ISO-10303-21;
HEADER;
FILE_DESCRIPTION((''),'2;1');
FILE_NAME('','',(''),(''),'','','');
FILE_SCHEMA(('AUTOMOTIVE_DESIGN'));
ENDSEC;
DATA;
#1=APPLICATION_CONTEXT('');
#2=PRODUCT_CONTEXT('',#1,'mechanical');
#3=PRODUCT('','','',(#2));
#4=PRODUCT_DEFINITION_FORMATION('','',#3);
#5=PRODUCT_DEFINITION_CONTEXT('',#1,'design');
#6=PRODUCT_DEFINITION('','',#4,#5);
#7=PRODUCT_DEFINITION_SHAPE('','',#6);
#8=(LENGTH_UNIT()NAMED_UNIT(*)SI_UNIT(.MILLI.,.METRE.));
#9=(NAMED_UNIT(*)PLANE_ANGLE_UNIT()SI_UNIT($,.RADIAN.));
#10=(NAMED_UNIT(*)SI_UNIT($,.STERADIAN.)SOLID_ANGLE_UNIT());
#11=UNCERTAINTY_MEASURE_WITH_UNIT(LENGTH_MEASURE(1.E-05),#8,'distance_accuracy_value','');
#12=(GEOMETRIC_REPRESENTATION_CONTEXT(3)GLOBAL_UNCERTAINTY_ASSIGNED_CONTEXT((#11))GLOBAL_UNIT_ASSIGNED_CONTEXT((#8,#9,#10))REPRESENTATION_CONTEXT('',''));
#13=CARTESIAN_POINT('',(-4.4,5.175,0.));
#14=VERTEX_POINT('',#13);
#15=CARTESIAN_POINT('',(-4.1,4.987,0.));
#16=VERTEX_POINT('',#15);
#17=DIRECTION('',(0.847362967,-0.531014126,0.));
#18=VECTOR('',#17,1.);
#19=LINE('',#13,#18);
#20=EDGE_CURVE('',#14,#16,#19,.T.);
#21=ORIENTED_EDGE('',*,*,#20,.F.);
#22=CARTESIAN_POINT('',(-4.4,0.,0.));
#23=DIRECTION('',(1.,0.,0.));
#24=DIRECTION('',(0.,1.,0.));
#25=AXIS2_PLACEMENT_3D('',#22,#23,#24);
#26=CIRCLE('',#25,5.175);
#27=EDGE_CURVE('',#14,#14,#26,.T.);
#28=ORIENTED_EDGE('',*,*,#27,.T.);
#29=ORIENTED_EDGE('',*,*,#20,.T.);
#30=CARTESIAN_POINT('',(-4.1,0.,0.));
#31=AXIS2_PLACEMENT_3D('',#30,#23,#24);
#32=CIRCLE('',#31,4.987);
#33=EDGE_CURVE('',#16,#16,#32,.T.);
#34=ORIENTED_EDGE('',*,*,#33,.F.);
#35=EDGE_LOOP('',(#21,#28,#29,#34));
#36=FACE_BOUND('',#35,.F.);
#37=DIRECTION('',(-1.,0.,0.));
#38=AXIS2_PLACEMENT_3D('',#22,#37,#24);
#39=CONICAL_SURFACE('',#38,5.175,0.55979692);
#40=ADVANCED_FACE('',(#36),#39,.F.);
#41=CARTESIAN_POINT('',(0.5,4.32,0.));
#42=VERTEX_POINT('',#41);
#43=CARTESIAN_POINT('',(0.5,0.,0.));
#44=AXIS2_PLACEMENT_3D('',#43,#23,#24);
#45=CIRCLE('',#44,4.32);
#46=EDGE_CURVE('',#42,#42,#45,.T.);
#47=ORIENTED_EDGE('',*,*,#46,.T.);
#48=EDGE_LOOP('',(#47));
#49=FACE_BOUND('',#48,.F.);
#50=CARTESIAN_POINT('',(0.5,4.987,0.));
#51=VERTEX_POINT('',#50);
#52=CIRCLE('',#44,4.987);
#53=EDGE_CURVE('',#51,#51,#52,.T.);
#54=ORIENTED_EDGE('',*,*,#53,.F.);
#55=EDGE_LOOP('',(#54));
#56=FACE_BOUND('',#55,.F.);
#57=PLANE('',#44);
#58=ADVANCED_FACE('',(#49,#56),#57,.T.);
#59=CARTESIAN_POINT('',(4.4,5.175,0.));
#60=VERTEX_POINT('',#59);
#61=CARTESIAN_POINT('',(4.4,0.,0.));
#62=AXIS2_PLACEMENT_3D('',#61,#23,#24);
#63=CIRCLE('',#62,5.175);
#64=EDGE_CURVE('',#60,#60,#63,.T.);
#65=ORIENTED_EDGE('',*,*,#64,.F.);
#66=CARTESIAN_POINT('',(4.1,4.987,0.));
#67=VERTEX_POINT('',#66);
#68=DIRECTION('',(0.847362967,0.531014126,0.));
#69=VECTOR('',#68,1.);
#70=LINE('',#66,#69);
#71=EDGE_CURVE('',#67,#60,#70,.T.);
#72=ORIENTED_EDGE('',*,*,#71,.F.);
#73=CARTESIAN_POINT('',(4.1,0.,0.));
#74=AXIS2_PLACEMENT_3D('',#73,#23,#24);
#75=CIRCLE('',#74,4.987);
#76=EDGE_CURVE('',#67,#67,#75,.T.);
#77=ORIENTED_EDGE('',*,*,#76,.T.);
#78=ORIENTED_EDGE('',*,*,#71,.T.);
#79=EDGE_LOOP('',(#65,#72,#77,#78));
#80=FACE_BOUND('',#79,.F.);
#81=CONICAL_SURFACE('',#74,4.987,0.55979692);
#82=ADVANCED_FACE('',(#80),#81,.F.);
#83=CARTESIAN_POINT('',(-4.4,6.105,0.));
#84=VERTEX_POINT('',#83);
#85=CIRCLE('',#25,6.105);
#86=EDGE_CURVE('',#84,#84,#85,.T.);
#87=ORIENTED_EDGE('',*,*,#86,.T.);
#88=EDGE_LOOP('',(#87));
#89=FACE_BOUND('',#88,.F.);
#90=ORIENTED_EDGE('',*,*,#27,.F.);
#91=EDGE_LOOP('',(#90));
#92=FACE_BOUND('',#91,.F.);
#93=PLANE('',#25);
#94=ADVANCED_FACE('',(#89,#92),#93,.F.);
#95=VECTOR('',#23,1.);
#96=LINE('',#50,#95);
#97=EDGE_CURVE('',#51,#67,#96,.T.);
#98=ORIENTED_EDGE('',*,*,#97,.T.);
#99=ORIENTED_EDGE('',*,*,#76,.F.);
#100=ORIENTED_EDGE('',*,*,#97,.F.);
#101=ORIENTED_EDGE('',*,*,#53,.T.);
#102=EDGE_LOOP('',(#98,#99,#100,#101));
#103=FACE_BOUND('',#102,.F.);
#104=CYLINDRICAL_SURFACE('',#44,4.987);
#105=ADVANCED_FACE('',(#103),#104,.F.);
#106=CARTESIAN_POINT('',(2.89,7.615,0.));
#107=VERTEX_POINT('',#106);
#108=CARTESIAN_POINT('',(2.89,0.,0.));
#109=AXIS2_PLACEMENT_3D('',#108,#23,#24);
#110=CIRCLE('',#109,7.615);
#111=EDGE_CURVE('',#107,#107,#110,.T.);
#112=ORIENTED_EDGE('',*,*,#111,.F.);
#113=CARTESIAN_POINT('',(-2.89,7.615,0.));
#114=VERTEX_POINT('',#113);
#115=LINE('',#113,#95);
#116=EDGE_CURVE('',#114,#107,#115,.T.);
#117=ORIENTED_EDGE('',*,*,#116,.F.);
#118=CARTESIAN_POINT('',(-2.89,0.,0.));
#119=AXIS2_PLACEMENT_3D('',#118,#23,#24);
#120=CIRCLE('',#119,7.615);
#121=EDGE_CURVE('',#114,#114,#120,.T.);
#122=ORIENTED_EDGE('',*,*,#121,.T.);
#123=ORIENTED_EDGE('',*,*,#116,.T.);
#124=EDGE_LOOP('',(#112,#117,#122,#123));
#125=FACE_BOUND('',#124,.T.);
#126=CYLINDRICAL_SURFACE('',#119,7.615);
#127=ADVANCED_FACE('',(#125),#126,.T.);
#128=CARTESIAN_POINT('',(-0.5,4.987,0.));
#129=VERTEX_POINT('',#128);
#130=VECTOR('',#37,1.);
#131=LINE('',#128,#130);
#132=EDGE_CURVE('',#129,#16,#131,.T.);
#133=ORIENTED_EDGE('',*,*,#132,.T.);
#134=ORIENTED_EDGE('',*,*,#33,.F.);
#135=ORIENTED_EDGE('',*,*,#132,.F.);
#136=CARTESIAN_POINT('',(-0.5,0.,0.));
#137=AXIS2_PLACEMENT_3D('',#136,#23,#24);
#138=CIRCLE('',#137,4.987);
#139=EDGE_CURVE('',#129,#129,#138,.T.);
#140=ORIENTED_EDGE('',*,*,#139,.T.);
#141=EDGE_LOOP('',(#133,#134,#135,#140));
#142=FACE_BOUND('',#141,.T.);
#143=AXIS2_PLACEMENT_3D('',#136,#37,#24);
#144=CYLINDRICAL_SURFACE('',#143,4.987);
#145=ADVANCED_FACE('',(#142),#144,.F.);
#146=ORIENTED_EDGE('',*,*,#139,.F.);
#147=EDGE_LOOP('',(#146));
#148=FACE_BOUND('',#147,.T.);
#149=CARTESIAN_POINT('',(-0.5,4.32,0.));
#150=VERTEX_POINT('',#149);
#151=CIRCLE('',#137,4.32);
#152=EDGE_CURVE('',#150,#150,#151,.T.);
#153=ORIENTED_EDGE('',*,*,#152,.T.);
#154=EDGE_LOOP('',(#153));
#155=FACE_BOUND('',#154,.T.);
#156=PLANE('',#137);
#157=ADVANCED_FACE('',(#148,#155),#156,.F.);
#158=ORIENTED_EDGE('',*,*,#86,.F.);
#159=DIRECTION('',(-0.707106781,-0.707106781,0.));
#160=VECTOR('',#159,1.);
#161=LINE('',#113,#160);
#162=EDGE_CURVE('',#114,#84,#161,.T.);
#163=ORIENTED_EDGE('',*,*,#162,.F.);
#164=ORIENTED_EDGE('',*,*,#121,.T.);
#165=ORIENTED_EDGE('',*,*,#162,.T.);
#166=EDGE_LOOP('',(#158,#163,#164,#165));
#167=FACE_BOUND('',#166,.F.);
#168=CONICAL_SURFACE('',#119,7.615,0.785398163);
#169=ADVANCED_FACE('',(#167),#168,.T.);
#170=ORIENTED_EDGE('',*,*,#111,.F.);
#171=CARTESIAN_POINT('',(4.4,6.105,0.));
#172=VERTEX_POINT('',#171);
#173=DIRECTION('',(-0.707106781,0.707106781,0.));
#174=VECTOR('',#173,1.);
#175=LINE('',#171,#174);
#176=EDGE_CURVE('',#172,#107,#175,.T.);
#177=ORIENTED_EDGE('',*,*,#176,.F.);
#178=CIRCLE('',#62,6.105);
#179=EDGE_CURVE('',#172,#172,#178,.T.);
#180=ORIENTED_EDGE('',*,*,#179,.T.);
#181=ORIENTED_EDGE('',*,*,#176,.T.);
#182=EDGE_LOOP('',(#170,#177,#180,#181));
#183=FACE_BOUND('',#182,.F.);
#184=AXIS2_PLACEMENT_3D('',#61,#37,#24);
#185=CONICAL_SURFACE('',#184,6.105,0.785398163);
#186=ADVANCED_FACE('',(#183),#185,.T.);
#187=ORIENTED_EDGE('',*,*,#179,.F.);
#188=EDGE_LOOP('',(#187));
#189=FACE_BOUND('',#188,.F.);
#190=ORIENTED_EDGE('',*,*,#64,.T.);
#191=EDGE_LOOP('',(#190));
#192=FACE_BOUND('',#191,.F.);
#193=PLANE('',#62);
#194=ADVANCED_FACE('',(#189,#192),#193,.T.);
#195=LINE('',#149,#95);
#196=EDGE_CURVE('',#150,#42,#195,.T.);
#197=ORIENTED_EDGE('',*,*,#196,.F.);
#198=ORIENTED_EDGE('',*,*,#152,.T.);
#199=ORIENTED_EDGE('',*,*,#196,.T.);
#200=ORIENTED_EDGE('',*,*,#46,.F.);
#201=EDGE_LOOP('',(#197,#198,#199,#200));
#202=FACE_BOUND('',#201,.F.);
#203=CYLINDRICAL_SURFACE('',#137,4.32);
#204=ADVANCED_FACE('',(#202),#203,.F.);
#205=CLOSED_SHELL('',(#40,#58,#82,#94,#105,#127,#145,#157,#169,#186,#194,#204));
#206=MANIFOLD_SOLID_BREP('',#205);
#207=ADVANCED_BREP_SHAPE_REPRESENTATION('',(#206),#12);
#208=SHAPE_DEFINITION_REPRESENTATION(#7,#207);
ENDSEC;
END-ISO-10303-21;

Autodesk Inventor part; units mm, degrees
ref_plane "YZ Plane" through (0, 0, 0) normal (1, 0, 0) x (0, 1, 0)
ref_plane "XY Plane" through (0, 0, 0) normal (0, 0, 1) x (1, 0, 0)
sketch "Эскиз4" plane through (0, 0, 0) normal (0, 0, 1) x (1, 0, 0)
  line L0 (-4.4, 7.615) -> (4.4, 7.615) construction
  line L1 (4.4, 7.615) -> (4.4, -7.615) construction
  line L2 (4.4, -7.615) -> (-4.4, -7.615) construction
  line L3 (-4.4, -7.615) -> (-4.4, 7.615) construction
  line L4 (-2.89, 7.615) -> (-2.89, -7.615) construction
  line L5 (2.89, 7.615) -> (2.89, -7.615) construction
  line L6 (-4.4, 6.105) -> (4.4, 6.105) construction
  line L7 (-4.4, -6.105) -> (4.4, -6.105) construction
  line L8 (-4.4, 5.175) -> (4.4, 5.175) construction
  line L9 (-4.4, -5.175) -> (4.4, -5.175) construction
  line L10 (-4.4, 4.987) -> (4.4, 4.987) construction
  line L11 (-4.4, -4.987) -> (4.4, -4.987) construction
  line L12 (-4.1, 7.615) -> (-4.1, -7.615) construction
  line L13 (4.1, 7.615) -> (4.1, -7.615) construction
  line L14 (-0.5, 7.615) -> (-0.5, -7.615) construction
  line L15 (0.5, 7.615) -> (0.5, -7.615) construction
  line L16 (-4.4, 4.32) -> (4.4, 4.32) construction
  line L17 (-4.4, -4.32) -> (4.4, -4.32) construction
  line L18 (-2.89, 7.615) -> (-4.4, 6.105)
  line L19 (-4.4, 6.105) -> (-4.4, 5.175)
  line L20 (-4.4, 5.175) -> (-4.1, 4.987)
  line L21 (-0.5, 4.987) -> (-4.1, 4.987)
  line L22 (-0.5, 4.32) -> (-0.5, 4.987)
  line L23 (-0.5, 4.32) -> (0.5, 4.32)
  line L24 (0.5, 4.32) -> (0.5, 4.987)
  line L25 (0.5, 4.987) -> (4.1, 4.987)
  line L26 (4.1, 4.987) -> (4.4, 5.175)
  line L27 (4.4, 5.175) -> (4.4, 6.105)
  line L28 (4.4, 6.105) -> (2.89, 7.615)
  line L29 (-2.89, 7.615) -> (2.89, 7.615)
  line L30 (-4.4, 0) -> (4.4, 0)
  point P0 (0, 0)
  point P1 (-4.4, 0)
  point P2 (0, 7.615)
  point P3 (0, 0)
  dimension "d17" = 8.8
  dimension "d18" = 15.23
  dimension "d19" = 5.78
  dimension "d20" = 2.89
  dimension "d21" = 12.21
  dimension "d22" = 6.105
  dimension "d23" = 10.35
  dimension "d24" = 5.175
  dimension "d25" = 9.974
  dimension "d26" = 4.987
  dimension "d27" = 0.3
  dimension "d28" = 0.3
  dimension "d29" = 0.5
  dimension "d30" = 1
  dimension "d31" = 8.64
  dimension "d32" = 4.32
  dimension "d33" = 8.8
  dimension "d34" = 7.615
revolve "Вращение2" add sketch "Эскиз4" angle 360 about axis through (-4.4, 0, 0) along (1, 0, 0)
ref_plane "РабПлоскость3" through (0, 7.615, 0) normal (0, 1, 0) x (-1, 0, 0)
sketch "Эскиз7" plane through (0, 7.615, 0) normal (0, 1, 0) x (-1, 0, 0)
  point P0 (0, 0)
ref_plane "Work Plane4" through (5.75, 0, 0) normal (1, 0, 0) x (0, 0, -1)
properties part number "CSW-1523"
